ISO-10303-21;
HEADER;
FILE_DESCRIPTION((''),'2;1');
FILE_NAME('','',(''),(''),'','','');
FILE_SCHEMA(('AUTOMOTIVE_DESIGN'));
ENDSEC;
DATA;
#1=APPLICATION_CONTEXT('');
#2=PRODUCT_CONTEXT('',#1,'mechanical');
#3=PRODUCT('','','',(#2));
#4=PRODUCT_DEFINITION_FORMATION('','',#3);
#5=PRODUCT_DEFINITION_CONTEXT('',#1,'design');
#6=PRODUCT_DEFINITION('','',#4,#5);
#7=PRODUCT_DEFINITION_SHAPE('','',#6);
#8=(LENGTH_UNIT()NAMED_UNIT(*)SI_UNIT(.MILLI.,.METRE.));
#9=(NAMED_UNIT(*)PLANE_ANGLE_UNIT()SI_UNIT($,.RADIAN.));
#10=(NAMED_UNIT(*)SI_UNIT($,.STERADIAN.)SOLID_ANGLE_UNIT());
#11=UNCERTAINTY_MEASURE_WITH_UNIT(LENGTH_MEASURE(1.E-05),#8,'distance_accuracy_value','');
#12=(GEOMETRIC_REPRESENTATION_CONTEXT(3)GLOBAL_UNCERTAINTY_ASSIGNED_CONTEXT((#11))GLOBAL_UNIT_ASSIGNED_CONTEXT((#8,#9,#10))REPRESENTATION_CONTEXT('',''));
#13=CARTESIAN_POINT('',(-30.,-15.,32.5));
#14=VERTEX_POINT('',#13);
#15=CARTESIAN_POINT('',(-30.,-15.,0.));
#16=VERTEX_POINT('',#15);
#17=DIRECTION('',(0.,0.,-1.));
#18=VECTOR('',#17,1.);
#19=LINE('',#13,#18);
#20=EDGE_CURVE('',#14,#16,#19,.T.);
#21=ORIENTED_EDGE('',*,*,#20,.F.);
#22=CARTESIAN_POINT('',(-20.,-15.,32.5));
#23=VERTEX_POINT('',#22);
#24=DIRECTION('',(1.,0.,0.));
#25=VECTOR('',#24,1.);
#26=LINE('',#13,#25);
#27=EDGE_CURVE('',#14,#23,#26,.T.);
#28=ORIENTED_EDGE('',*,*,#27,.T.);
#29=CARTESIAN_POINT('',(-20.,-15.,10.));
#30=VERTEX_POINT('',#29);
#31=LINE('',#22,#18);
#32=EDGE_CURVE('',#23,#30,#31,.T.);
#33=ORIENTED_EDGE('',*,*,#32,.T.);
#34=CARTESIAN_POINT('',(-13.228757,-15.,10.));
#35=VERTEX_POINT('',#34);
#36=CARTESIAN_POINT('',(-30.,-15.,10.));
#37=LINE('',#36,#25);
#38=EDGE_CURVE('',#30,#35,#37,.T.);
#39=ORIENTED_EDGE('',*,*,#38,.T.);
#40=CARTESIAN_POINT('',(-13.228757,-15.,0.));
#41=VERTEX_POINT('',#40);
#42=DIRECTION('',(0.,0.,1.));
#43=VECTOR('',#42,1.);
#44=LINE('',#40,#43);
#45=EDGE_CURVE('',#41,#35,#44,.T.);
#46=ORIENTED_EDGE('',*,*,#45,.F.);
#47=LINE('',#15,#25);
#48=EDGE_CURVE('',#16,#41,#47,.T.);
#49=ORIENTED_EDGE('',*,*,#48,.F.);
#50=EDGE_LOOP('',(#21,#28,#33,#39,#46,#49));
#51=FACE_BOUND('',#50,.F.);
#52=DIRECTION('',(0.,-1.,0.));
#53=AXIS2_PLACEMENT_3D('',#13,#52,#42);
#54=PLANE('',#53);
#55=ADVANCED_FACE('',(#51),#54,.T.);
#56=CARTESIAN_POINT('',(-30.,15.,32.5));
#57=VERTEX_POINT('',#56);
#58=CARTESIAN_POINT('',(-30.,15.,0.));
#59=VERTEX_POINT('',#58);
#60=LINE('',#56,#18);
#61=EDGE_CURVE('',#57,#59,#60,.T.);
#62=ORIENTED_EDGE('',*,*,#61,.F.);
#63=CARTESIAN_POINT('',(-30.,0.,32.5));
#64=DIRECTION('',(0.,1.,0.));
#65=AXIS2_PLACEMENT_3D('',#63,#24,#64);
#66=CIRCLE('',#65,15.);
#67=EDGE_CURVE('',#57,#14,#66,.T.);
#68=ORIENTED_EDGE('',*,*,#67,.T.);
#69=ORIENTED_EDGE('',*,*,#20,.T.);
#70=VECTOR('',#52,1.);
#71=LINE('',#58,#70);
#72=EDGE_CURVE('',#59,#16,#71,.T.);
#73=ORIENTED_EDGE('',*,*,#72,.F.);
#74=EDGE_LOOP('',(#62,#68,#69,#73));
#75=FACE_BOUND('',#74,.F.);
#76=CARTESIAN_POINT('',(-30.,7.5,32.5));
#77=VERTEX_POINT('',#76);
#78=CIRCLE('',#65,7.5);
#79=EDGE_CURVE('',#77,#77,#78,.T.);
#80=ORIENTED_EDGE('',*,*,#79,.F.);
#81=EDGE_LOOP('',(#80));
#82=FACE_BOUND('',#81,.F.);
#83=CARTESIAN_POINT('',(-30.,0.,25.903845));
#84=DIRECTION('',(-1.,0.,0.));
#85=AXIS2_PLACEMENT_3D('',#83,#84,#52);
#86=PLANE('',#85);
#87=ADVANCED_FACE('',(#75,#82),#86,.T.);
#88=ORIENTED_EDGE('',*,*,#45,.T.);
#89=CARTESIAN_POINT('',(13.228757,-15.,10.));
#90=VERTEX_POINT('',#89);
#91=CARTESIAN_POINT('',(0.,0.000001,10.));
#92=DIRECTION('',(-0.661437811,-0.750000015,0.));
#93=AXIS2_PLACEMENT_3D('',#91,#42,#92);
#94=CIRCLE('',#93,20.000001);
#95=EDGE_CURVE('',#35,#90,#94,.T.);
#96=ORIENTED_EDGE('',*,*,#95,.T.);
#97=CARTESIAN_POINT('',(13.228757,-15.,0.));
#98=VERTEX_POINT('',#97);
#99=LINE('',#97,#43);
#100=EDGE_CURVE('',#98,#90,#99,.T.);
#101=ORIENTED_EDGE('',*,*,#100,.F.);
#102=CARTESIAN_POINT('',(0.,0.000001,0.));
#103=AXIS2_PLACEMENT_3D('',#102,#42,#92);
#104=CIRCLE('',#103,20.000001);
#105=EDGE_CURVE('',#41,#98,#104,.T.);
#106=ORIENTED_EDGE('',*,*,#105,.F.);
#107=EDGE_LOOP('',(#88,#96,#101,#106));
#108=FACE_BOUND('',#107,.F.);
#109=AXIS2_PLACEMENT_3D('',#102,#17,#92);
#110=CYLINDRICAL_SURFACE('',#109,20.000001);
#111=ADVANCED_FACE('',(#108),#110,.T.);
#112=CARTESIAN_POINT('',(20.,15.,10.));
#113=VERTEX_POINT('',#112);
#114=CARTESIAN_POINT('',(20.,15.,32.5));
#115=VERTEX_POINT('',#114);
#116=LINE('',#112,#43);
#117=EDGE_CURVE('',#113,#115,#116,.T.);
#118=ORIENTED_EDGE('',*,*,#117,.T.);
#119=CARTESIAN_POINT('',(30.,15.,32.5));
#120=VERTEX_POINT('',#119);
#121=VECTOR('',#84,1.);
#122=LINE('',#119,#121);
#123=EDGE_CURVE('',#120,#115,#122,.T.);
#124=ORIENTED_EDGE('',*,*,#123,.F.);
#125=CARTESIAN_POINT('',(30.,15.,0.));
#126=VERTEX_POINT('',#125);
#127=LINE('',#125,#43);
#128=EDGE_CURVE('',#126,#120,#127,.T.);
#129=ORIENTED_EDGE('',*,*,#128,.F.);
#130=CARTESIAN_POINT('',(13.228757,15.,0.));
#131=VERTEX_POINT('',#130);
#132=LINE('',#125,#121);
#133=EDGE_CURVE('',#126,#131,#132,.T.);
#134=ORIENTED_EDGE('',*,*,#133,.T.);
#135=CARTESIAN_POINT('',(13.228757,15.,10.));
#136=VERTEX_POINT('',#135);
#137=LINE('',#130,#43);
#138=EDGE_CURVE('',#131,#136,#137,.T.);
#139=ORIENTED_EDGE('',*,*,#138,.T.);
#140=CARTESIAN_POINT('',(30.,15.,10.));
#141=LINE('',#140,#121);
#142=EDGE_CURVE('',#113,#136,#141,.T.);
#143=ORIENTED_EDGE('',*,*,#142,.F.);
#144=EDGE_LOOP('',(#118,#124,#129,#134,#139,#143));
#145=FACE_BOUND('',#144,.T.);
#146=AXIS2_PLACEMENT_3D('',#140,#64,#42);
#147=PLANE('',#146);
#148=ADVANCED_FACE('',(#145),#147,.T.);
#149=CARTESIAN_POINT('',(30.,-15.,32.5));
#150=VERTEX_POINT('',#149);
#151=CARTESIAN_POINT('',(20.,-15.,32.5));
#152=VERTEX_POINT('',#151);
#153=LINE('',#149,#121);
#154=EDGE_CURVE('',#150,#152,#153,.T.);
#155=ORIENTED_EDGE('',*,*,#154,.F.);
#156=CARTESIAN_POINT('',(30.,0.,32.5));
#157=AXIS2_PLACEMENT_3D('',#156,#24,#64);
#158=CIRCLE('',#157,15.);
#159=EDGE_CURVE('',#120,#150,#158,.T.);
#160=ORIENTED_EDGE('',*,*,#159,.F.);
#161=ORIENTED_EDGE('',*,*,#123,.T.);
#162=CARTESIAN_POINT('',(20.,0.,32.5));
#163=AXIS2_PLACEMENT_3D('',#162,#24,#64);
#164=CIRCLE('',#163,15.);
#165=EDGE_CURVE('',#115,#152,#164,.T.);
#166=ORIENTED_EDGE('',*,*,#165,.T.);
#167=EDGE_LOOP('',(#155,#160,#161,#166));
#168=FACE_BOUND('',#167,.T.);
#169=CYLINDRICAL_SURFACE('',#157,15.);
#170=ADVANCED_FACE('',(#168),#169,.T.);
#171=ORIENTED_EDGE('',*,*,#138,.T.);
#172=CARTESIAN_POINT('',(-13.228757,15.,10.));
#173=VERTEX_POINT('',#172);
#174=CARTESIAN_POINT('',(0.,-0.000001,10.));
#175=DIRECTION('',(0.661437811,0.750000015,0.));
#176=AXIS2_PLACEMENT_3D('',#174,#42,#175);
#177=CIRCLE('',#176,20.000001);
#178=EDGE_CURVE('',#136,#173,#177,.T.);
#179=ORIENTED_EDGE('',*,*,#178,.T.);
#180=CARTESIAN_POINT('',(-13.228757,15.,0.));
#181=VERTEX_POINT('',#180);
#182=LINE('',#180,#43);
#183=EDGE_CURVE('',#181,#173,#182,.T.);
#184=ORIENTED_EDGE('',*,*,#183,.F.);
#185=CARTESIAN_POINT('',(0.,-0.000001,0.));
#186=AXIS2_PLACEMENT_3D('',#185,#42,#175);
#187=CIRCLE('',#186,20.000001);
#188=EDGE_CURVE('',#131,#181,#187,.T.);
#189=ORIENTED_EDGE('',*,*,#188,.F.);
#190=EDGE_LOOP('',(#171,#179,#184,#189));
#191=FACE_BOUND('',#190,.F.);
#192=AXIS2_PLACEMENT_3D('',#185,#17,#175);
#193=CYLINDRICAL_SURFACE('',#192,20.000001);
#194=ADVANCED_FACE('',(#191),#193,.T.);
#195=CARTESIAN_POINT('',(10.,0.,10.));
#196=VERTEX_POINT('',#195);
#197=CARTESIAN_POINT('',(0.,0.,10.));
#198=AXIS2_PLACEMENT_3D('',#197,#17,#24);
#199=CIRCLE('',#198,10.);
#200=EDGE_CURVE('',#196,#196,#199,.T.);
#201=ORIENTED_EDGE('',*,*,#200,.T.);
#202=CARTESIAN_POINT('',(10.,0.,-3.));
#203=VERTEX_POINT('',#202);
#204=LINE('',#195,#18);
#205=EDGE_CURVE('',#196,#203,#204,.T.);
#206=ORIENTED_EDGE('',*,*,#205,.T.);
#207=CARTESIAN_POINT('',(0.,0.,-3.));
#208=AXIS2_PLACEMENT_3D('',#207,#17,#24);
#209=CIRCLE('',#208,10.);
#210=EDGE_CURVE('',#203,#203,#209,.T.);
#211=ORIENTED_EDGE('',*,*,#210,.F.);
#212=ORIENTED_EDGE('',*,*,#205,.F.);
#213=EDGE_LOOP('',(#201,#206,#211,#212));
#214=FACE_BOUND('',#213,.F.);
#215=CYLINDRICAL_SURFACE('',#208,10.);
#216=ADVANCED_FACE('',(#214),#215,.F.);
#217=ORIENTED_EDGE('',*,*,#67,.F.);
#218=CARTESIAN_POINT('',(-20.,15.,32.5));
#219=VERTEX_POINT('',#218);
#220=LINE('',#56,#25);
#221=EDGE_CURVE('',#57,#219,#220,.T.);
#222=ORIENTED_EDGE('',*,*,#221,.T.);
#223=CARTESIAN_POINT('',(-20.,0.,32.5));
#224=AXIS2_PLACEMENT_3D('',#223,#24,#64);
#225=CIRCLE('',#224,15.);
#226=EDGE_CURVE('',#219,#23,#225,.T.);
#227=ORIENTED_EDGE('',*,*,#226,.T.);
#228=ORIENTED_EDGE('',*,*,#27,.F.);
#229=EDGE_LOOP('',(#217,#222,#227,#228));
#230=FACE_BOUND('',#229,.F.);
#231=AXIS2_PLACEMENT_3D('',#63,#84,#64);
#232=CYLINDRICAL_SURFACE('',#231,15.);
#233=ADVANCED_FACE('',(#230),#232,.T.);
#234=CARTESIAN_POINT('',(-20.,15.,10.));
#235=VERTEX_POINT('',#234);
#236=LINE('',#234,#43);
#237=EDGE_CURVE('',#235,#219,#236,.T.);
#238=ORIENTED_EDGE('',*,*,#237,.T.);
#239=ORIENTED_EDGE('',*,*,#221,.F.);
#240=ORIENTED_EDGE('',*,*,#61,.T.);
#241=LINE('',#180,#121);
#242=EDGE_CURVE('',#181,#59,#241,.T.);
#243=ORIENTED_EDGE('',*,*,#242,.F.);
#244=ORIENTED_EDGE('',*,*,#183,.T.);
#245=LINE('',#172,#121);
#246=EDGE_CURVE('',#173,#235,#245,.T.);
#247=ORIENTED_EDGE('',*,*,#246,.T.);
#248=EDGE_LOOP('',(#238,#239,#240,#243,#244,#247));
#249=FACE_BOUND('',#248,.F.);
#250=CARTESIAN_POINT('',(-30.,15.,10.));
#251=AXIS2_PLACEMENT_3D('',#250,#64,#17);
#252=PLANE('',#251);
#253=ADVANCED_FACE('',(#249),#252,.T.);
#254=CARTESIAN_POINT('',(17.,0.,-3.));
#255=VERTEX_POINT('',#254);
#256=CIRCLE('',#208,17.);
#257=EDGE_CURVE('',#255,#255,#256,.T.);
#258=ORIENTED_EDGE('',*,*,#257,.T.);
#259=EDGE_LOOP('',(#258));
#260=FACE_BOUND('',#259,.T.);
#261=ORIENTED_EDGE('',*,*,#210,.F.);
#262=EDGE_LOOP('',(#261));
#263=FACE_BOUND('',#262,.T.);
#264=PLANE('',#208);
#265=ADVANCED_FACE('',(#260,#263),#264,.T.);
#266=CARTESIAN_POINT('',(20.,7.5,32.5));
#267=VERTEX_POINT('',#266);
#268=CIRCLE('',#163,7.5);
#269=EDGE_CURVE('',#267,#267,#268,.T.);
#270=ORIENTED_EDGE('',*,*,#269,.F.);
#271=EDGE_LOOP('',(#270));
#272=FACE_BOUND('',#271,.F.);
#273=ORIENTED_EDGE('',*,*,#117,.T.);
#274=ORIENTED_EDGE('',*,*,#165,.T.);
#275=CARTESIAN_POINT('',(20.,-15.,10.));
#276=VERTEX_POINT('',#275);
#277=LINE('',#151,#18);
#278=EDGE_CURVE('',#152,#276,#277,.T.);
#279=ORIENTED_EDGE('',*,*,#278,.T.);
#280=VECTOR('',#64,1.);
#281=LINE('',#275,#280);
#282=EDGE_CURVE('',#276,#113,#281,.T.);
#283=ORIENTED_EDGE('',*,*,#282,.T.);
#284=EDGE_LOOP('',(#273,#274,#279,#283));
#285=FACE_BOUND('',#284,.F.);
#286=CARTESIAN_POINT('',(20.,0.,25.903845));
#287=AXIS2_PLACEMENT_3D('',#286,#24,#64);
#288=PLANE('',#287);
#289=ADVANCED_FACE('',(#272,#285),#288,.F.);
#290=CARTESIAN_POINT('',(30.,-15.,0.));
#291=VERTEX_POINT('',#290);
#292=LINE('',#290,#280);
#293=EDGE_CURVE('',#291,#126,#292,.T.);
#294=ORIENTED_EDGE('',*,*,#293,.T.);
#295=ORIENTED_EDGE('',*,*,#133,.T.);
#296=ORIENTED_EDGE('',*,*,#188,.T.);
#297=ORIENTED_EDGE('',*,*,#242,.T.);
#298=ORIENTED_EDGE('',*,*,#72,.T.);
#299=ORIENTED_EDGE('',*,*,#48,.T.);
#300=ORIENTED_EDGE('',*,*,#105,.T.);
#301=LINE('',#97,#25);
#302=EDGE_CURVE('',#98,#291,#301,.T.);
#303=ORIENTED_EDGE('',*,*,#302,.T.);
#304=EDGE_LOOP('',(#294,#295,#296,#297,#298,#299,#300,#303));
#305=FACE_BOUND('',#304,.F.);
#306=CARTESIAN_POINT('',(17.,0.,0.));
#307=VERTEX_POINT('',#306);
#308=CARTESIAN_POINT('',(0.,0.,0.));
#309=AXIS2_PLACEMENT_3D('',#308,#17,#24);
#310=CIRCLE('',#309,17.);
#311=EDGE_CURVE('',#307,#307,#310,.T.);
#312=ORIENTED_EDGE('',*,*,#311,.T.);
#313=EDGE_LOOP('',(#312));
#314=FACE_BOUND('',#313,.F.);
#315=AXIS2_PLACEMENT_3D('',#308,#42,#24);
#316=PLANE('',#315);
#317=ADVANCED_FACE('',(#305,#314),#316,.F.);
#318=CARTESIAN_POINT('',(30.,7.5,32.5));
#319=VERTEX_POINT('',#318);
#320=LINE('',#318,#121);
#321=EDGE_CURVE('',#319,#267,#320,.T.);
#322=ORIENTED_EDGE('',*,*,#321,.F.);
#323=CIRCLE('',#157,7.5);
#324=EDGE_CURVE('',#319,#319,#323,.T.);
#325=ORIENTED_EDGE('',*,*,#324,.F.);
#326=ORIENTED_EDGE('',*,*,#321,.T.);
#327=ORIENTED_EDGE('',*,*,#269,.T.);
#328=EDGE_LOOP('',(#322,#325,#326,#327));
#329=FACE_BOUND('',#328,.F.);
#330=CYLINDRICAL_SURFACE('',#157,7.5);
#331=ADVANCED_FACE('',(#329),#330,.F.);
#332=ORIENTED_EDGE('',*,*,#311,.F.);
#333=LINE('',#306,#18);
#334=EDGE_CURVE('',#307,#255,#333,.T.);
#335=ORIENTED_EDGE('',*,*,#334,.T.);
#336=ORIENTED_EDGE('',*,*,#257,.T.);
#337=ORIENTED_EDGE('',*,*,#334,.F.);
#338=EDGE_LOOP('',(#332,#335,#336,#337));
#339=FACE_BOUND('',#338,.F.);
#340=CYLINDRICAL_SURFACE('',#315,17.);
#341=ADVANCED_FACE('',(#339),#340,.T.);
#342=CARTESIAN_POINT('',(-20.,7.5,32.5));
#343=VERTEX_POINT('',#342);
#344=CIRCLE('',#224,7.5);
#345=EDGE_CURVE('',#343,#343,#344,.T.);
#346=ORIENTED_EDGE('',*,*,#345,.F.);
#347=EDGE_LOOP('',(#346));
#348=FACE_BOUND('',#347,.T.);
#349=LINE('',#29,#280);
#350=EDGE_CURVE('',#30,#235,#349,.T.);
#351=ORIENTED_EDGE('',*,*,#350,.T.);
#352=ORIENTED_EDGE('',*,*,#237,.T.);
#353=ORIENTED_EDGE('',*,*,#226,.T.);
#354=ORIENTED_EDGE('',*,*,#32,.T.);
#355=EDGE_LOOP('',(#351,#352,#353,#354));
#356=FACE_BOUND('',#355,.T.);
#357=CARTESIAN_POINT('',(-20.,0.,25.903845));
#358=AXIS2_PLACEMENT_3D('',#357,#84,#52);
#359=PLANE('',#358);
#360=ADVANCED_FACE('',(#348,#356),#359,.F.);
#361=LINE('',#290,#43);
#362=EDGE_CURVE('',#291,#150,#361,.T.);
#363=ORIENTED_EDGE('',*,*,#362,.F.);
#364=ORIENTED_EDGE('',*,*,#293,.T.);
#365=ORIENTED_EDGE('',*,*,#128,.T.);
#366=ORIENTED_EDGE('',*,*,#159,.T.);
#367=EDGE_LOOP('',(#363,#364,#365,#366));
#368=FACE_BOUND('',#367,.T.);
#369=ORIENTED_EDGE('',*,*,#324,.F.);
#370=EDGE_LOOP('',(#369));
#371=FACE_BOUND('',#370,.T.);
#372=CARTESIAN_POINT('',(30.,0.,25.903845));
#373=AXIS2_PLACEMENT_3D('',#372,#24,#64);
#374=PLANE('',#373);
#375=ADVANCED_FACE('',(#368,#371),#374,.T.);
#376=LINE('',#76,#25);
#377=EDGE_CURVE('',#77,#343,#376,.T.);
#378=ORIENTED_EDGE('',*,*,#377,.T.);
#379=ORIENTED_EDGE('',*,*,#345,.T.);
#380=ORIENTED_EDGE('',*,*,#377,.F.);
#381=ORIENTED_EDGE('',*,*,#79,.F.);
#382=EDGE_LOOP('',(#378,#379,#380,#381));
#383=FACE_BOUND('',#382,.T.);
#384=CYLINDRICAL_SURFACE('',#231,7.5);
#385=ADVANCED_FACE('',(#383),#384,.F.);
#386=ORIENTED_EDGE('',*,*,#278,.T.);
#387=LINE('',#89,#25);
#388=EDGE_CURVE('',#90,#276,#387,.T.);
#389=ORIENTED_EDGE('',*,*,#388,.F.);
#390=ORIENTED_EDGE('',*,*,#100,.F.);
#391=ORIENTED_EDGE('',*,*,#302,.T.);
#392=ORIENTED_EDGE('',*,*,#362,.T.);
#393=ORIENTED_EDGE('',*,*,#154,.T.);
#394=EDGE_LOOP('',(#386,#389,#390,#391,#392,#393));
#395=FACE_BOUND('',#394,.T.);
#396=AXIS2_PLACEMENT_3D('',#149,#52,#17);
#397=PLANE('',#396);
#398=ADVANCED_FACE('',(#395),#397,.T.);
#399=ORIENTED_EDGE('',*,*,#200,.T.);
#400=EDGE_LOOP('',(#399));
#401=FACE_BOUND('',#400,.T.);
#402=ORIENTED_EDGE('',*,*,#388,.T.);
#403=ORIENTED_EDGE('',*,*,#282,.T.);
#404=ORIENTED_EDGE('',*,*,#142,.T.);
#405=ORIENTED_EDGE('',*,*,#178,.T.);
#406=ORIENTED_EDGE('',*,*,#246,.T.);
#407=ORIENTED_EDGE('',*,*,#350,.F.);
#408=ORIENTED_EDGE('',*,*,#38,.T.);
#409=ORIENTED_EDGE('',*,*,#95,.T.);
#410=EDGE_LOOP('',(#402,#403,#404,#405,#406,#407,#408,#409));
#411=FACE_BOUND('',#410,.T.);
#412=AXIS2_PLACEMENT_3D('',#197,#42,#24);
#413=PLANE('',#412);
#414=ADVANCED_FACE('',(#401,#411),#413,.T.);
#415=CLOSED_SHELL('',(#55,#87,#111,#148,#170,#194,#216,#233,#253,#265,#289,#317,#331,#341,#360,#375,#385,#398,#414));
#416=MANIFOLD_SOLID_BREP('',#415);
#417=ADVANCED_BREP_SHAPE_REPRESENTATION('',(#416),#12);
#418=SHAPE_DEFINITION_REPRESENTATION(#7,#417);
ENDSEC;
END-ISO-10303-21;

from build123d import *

# Parameters (mm, degrees)
F0_R     = 10
F1_DEPTH = 10
F2_R     = 7.5
F3_DEPTH = 10
F5_R     = 17
F6_DEPTH = 3
F7_R     = 10
F8_DEPTH = 50.501


with BuildPart() as f1:
    # F0 (on Top) → F1 (new body)
    with BuildSketch(Plane.XY):
        with BuildLine():
            Line((-30, -15), (-13.228757, -15))
            ThreePointArc((-13.228757, -15), (0, -20), (13.228757, -15))
            Line((13.228757, -15), (30, -15))
            Line((30, -15), (30, 15))
            Line((30, 15), (13.228757, 15))
            ThreePointArc((13.228757, 15), (0, 20), (-13.228757, 15))
            Line((-13.228757, 15), (-30, 15))
            Line((-30, 15), (-30, -15))
        make_face()
        Circle(F0_R, mode=Mode.SUBTRACT)
    extrude(amount=F1_DEPTH)

    # F2 (on face) → F3 (join)
    with BuildSketch(Plane.YZ.offset(30)):
        with BuildLine():
            Line((-15, 32.5), (-15, 10))
            Line((-15, 10), (15, 10))
            Line((15, 10), (15, 32.5))
            ThreePointArc((15, 32.5), (0, 47.5), (-15, 32.5))
        make_face()
        with Locations((0, 32.5)):
            Circle(F2_R, mode=Mode.SUBTRACT)
    extrude(amount=-F3_DEPTH)

    # F4: F1 across plane


with BuildPart() as f1_1:
    add(f1.part)
    add(f1.part.mirror(Plane.YZ))

    # F5 (on face) → F6 (join)
    with BuildSketch(Plane(origin=(0, 0, 0), x_dir=(1, 0, 0), z_dir=(0, 0, -1))):
        Circle(F5_R)
    extrude(amount=F6_DEPTH)

    # F7 (on face) → F8 (cut, through all)
    with BuildSketch(Plane(origin=(0, 0, -3), x_dir=(1, 0, 0), z_dir=(0, 0, -1))):
        Circle(F7_R)
    extrude(amount=-F8_DEPTH, mode=Mode.SUBTRACT)


solid = f1_1.part
